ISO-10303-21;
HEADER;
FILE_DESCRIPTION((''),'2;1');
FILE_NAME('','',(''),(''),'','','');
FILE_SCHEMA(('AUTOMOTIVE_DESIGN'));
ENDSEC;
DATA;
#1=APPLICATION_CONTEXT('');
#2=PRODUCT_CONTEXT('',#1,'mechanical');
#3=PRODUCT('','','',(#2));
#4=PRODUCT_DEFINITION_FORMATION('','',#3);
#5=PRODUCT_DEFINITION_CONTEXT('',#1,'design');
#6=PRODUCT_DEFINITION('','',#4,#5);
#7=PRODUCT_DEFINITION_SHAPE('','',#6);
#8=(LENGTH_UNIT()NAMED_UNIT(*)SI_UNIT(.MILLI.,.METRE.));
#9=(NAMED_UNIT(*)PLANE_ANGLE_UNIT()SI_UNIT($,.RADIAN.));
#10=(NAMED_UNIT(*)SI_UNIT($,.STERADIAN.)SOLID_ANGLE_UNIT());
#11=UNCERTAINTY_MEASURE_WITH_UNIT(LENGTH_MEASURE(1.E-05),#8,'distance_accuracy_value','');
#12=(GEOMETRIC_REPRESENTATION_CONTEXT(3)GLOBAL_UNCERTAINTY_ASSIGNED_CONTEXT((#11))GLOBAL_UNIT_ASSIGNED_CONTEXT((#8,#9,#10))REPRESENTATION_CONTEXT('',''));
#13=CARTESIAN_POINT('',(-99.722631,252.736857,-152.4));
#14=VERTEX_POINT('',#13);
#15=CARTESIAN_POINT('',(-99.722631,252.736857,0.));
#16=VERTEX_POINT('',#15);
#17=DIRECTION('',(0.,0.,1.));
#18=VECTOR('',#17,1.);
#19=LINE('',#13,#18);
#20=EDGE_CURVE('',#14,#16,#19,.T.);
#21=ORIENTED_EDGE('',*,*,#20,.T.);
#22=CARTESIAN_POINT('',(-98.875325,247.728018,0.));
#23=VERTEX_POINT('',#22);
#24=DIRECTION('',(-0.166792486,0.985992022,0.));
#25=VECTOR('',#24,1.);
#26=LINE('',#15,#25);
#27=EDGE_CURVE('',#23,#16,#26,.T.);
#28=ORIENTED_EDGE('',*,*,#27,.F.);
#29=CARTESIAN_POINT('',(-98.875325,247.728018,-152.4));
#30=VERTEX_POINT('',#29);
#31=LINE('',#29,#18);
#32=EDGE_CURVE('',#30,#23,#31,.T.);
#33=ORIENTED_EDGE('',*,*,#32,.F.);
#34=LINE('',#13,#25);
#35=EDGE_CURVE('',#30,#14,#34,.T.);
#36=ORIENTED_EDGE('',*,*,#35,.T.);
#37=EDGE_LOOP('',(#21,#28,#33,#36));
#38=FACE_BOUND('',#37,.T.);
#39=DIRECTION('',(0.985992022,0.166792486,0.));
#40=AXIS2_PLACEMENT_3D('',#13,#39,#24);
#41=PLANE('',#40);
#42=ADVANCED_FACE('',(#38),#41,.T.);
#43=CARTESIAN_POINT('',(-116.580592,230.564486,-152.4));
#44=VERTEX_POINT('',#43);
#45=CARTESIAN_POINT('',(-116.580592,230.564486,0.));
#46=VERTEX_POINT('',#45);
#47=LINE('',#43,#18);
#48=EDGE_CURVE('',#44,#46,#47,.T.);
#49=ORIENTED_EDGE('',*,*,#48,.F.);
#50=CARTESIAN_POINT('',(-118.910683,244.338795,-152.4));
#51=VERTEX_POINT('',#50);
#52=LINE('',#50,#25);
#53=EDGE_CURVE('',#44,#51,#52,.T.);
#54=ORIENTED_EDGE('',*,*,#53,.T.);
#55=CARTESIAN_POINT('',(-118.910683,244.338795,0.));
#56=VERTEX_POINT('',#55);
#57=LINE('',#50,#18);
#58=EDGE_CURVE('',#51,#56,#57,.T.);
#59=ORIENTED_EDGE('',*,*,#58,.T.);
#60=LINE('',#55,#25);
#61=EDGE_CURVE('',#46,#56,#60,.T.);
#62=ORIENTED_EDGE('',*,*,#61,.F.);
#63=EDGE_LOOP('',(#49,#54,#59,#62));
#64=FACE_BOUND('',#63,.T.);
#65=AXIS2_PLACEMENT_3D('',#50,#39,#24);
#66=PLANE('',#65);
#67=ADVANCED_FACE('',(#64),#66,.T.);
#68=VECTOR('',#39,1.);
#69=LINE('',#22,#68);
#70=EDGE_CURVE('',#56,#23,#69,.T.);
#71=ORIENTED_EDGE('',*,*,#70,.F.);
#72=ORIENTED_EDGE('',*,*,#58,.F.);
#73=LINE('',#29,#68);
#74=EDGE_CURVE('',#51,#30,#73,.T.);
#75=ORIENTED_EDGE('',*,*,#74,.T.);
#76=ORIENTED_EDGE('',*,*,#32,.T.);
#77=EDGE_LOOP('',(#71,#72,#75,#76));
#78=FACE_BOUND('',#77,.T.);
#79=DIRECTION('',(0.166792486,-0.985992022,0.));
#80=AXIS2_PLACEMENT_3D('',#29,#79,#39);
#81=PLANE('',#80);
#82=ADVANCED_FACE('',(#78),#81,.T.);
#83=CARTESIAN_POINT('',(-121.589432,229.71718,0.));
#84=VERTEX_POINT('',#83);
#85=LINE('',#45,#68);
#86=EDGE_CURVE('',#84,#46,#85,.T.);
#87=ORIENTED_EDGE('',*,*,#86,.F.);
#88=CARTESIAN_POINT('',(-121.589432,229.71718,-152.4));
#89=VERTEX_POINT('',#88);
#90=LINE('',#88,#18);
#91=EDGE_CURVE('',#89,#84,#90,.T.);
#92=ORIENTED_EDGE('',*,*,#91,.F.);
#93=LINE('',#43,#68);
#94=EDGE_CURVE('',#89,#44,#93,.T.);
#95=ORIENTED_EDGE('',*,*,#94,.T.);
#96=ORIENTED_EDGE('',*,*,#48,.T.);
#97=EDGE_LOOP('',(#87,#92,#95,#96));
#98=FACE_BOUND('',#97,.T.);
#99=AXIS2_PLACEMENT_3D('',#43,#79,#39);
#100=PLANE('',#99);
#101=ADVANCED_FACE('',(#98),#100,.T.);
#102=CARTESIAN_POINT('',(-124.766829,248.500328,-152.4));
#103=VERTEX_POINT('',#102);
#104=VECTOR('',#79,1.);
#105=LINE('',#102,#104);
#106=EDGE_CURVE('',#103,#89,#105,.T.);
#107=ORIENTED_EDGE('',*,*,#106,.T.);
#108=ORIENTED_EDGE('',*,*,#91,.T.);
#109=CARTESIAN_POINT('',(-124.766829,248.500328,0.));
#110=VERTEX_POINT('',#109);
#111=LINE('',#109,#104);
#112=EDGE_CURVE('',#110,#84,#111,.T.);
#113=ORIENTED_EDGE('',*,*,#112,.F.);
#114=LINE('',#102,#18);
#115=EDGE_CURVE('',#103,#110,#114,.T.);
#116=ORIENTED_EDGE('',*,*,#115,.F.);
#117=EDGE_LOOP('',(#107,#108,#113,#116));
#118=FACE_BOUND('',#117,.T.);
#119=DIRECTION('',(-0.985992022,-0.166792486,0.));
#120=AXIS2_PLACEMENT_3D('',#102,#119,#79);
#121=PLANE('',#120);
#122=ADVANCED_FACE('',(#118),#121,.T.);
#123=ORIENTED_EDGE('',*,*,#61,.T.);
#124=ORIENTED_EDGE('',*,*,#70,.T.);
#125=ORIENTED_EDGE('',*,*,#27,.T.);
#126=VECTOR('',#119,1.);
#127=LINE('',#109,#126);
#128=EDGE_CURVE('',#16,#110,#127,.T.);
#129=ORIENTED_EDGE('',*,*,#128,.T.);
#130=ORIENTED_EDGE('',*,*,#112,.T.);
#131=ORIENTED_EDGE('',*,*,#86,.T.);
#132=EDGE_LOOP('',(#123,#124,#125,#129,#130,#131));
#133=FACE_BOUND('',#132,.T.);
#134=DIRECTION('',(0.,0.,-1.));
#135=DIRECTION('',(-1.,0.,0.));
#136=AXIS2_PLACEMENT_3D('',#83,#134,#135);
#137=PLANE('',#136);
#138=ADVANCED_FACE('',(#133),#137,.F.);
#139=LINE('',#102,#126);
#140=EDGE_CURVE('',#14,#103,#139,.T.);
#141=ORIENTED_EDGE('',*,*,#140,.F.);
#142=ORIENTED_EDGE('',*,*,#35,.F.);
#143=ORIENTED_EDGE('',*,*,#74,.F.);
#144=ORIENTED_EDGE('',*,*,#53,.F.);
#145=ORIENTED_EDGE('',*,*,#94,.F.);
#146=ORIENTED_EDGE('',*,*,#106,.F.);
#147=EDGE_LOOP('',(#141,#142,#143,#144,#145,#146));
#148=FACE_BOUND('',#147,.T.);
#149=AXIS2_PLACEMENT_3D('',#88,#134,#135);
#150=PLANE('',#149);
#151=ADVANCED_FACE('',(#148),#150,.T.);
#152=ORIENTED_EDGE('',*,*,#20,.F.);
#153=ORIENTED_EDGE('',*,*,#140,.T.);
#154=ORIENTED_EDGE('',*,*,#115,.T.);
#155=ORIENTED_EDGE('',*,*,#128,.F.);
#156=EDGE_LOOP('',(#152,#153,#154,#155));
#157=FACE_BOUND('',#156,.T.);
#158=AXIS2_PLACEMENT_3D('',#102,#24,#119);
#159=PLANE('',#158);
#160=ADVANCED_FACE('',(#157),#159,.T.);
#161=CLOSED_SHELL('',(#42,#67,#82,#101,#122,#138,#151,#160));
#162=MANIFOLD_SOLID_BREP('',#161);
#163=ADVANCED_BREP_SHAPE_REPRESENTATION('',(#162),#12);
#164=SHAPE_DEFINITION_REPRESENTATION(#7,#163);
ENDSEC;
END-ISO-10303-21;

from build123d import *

# Parameters (mm, degrees)
BOSS_EXTRUDE1_DEPTH = 152.4


with BuildPart() as part:
    # Sketch1 → Boss-Extrude1 (new body)
    with BuildSketch(Plane.XY):
        Polygon((-124.766828541, 248.500328159), (-99.722631192, 252.736857298), (-98.875325365, 247.728017828), (-118.910683244, 244.338794517), (-116.580592217, 230.564485975), (-121.589431687, 229.717180147), align=None)
    extrude(amount=-BOSS_EXTRUDE1_DEPTH)


solid = part.part
